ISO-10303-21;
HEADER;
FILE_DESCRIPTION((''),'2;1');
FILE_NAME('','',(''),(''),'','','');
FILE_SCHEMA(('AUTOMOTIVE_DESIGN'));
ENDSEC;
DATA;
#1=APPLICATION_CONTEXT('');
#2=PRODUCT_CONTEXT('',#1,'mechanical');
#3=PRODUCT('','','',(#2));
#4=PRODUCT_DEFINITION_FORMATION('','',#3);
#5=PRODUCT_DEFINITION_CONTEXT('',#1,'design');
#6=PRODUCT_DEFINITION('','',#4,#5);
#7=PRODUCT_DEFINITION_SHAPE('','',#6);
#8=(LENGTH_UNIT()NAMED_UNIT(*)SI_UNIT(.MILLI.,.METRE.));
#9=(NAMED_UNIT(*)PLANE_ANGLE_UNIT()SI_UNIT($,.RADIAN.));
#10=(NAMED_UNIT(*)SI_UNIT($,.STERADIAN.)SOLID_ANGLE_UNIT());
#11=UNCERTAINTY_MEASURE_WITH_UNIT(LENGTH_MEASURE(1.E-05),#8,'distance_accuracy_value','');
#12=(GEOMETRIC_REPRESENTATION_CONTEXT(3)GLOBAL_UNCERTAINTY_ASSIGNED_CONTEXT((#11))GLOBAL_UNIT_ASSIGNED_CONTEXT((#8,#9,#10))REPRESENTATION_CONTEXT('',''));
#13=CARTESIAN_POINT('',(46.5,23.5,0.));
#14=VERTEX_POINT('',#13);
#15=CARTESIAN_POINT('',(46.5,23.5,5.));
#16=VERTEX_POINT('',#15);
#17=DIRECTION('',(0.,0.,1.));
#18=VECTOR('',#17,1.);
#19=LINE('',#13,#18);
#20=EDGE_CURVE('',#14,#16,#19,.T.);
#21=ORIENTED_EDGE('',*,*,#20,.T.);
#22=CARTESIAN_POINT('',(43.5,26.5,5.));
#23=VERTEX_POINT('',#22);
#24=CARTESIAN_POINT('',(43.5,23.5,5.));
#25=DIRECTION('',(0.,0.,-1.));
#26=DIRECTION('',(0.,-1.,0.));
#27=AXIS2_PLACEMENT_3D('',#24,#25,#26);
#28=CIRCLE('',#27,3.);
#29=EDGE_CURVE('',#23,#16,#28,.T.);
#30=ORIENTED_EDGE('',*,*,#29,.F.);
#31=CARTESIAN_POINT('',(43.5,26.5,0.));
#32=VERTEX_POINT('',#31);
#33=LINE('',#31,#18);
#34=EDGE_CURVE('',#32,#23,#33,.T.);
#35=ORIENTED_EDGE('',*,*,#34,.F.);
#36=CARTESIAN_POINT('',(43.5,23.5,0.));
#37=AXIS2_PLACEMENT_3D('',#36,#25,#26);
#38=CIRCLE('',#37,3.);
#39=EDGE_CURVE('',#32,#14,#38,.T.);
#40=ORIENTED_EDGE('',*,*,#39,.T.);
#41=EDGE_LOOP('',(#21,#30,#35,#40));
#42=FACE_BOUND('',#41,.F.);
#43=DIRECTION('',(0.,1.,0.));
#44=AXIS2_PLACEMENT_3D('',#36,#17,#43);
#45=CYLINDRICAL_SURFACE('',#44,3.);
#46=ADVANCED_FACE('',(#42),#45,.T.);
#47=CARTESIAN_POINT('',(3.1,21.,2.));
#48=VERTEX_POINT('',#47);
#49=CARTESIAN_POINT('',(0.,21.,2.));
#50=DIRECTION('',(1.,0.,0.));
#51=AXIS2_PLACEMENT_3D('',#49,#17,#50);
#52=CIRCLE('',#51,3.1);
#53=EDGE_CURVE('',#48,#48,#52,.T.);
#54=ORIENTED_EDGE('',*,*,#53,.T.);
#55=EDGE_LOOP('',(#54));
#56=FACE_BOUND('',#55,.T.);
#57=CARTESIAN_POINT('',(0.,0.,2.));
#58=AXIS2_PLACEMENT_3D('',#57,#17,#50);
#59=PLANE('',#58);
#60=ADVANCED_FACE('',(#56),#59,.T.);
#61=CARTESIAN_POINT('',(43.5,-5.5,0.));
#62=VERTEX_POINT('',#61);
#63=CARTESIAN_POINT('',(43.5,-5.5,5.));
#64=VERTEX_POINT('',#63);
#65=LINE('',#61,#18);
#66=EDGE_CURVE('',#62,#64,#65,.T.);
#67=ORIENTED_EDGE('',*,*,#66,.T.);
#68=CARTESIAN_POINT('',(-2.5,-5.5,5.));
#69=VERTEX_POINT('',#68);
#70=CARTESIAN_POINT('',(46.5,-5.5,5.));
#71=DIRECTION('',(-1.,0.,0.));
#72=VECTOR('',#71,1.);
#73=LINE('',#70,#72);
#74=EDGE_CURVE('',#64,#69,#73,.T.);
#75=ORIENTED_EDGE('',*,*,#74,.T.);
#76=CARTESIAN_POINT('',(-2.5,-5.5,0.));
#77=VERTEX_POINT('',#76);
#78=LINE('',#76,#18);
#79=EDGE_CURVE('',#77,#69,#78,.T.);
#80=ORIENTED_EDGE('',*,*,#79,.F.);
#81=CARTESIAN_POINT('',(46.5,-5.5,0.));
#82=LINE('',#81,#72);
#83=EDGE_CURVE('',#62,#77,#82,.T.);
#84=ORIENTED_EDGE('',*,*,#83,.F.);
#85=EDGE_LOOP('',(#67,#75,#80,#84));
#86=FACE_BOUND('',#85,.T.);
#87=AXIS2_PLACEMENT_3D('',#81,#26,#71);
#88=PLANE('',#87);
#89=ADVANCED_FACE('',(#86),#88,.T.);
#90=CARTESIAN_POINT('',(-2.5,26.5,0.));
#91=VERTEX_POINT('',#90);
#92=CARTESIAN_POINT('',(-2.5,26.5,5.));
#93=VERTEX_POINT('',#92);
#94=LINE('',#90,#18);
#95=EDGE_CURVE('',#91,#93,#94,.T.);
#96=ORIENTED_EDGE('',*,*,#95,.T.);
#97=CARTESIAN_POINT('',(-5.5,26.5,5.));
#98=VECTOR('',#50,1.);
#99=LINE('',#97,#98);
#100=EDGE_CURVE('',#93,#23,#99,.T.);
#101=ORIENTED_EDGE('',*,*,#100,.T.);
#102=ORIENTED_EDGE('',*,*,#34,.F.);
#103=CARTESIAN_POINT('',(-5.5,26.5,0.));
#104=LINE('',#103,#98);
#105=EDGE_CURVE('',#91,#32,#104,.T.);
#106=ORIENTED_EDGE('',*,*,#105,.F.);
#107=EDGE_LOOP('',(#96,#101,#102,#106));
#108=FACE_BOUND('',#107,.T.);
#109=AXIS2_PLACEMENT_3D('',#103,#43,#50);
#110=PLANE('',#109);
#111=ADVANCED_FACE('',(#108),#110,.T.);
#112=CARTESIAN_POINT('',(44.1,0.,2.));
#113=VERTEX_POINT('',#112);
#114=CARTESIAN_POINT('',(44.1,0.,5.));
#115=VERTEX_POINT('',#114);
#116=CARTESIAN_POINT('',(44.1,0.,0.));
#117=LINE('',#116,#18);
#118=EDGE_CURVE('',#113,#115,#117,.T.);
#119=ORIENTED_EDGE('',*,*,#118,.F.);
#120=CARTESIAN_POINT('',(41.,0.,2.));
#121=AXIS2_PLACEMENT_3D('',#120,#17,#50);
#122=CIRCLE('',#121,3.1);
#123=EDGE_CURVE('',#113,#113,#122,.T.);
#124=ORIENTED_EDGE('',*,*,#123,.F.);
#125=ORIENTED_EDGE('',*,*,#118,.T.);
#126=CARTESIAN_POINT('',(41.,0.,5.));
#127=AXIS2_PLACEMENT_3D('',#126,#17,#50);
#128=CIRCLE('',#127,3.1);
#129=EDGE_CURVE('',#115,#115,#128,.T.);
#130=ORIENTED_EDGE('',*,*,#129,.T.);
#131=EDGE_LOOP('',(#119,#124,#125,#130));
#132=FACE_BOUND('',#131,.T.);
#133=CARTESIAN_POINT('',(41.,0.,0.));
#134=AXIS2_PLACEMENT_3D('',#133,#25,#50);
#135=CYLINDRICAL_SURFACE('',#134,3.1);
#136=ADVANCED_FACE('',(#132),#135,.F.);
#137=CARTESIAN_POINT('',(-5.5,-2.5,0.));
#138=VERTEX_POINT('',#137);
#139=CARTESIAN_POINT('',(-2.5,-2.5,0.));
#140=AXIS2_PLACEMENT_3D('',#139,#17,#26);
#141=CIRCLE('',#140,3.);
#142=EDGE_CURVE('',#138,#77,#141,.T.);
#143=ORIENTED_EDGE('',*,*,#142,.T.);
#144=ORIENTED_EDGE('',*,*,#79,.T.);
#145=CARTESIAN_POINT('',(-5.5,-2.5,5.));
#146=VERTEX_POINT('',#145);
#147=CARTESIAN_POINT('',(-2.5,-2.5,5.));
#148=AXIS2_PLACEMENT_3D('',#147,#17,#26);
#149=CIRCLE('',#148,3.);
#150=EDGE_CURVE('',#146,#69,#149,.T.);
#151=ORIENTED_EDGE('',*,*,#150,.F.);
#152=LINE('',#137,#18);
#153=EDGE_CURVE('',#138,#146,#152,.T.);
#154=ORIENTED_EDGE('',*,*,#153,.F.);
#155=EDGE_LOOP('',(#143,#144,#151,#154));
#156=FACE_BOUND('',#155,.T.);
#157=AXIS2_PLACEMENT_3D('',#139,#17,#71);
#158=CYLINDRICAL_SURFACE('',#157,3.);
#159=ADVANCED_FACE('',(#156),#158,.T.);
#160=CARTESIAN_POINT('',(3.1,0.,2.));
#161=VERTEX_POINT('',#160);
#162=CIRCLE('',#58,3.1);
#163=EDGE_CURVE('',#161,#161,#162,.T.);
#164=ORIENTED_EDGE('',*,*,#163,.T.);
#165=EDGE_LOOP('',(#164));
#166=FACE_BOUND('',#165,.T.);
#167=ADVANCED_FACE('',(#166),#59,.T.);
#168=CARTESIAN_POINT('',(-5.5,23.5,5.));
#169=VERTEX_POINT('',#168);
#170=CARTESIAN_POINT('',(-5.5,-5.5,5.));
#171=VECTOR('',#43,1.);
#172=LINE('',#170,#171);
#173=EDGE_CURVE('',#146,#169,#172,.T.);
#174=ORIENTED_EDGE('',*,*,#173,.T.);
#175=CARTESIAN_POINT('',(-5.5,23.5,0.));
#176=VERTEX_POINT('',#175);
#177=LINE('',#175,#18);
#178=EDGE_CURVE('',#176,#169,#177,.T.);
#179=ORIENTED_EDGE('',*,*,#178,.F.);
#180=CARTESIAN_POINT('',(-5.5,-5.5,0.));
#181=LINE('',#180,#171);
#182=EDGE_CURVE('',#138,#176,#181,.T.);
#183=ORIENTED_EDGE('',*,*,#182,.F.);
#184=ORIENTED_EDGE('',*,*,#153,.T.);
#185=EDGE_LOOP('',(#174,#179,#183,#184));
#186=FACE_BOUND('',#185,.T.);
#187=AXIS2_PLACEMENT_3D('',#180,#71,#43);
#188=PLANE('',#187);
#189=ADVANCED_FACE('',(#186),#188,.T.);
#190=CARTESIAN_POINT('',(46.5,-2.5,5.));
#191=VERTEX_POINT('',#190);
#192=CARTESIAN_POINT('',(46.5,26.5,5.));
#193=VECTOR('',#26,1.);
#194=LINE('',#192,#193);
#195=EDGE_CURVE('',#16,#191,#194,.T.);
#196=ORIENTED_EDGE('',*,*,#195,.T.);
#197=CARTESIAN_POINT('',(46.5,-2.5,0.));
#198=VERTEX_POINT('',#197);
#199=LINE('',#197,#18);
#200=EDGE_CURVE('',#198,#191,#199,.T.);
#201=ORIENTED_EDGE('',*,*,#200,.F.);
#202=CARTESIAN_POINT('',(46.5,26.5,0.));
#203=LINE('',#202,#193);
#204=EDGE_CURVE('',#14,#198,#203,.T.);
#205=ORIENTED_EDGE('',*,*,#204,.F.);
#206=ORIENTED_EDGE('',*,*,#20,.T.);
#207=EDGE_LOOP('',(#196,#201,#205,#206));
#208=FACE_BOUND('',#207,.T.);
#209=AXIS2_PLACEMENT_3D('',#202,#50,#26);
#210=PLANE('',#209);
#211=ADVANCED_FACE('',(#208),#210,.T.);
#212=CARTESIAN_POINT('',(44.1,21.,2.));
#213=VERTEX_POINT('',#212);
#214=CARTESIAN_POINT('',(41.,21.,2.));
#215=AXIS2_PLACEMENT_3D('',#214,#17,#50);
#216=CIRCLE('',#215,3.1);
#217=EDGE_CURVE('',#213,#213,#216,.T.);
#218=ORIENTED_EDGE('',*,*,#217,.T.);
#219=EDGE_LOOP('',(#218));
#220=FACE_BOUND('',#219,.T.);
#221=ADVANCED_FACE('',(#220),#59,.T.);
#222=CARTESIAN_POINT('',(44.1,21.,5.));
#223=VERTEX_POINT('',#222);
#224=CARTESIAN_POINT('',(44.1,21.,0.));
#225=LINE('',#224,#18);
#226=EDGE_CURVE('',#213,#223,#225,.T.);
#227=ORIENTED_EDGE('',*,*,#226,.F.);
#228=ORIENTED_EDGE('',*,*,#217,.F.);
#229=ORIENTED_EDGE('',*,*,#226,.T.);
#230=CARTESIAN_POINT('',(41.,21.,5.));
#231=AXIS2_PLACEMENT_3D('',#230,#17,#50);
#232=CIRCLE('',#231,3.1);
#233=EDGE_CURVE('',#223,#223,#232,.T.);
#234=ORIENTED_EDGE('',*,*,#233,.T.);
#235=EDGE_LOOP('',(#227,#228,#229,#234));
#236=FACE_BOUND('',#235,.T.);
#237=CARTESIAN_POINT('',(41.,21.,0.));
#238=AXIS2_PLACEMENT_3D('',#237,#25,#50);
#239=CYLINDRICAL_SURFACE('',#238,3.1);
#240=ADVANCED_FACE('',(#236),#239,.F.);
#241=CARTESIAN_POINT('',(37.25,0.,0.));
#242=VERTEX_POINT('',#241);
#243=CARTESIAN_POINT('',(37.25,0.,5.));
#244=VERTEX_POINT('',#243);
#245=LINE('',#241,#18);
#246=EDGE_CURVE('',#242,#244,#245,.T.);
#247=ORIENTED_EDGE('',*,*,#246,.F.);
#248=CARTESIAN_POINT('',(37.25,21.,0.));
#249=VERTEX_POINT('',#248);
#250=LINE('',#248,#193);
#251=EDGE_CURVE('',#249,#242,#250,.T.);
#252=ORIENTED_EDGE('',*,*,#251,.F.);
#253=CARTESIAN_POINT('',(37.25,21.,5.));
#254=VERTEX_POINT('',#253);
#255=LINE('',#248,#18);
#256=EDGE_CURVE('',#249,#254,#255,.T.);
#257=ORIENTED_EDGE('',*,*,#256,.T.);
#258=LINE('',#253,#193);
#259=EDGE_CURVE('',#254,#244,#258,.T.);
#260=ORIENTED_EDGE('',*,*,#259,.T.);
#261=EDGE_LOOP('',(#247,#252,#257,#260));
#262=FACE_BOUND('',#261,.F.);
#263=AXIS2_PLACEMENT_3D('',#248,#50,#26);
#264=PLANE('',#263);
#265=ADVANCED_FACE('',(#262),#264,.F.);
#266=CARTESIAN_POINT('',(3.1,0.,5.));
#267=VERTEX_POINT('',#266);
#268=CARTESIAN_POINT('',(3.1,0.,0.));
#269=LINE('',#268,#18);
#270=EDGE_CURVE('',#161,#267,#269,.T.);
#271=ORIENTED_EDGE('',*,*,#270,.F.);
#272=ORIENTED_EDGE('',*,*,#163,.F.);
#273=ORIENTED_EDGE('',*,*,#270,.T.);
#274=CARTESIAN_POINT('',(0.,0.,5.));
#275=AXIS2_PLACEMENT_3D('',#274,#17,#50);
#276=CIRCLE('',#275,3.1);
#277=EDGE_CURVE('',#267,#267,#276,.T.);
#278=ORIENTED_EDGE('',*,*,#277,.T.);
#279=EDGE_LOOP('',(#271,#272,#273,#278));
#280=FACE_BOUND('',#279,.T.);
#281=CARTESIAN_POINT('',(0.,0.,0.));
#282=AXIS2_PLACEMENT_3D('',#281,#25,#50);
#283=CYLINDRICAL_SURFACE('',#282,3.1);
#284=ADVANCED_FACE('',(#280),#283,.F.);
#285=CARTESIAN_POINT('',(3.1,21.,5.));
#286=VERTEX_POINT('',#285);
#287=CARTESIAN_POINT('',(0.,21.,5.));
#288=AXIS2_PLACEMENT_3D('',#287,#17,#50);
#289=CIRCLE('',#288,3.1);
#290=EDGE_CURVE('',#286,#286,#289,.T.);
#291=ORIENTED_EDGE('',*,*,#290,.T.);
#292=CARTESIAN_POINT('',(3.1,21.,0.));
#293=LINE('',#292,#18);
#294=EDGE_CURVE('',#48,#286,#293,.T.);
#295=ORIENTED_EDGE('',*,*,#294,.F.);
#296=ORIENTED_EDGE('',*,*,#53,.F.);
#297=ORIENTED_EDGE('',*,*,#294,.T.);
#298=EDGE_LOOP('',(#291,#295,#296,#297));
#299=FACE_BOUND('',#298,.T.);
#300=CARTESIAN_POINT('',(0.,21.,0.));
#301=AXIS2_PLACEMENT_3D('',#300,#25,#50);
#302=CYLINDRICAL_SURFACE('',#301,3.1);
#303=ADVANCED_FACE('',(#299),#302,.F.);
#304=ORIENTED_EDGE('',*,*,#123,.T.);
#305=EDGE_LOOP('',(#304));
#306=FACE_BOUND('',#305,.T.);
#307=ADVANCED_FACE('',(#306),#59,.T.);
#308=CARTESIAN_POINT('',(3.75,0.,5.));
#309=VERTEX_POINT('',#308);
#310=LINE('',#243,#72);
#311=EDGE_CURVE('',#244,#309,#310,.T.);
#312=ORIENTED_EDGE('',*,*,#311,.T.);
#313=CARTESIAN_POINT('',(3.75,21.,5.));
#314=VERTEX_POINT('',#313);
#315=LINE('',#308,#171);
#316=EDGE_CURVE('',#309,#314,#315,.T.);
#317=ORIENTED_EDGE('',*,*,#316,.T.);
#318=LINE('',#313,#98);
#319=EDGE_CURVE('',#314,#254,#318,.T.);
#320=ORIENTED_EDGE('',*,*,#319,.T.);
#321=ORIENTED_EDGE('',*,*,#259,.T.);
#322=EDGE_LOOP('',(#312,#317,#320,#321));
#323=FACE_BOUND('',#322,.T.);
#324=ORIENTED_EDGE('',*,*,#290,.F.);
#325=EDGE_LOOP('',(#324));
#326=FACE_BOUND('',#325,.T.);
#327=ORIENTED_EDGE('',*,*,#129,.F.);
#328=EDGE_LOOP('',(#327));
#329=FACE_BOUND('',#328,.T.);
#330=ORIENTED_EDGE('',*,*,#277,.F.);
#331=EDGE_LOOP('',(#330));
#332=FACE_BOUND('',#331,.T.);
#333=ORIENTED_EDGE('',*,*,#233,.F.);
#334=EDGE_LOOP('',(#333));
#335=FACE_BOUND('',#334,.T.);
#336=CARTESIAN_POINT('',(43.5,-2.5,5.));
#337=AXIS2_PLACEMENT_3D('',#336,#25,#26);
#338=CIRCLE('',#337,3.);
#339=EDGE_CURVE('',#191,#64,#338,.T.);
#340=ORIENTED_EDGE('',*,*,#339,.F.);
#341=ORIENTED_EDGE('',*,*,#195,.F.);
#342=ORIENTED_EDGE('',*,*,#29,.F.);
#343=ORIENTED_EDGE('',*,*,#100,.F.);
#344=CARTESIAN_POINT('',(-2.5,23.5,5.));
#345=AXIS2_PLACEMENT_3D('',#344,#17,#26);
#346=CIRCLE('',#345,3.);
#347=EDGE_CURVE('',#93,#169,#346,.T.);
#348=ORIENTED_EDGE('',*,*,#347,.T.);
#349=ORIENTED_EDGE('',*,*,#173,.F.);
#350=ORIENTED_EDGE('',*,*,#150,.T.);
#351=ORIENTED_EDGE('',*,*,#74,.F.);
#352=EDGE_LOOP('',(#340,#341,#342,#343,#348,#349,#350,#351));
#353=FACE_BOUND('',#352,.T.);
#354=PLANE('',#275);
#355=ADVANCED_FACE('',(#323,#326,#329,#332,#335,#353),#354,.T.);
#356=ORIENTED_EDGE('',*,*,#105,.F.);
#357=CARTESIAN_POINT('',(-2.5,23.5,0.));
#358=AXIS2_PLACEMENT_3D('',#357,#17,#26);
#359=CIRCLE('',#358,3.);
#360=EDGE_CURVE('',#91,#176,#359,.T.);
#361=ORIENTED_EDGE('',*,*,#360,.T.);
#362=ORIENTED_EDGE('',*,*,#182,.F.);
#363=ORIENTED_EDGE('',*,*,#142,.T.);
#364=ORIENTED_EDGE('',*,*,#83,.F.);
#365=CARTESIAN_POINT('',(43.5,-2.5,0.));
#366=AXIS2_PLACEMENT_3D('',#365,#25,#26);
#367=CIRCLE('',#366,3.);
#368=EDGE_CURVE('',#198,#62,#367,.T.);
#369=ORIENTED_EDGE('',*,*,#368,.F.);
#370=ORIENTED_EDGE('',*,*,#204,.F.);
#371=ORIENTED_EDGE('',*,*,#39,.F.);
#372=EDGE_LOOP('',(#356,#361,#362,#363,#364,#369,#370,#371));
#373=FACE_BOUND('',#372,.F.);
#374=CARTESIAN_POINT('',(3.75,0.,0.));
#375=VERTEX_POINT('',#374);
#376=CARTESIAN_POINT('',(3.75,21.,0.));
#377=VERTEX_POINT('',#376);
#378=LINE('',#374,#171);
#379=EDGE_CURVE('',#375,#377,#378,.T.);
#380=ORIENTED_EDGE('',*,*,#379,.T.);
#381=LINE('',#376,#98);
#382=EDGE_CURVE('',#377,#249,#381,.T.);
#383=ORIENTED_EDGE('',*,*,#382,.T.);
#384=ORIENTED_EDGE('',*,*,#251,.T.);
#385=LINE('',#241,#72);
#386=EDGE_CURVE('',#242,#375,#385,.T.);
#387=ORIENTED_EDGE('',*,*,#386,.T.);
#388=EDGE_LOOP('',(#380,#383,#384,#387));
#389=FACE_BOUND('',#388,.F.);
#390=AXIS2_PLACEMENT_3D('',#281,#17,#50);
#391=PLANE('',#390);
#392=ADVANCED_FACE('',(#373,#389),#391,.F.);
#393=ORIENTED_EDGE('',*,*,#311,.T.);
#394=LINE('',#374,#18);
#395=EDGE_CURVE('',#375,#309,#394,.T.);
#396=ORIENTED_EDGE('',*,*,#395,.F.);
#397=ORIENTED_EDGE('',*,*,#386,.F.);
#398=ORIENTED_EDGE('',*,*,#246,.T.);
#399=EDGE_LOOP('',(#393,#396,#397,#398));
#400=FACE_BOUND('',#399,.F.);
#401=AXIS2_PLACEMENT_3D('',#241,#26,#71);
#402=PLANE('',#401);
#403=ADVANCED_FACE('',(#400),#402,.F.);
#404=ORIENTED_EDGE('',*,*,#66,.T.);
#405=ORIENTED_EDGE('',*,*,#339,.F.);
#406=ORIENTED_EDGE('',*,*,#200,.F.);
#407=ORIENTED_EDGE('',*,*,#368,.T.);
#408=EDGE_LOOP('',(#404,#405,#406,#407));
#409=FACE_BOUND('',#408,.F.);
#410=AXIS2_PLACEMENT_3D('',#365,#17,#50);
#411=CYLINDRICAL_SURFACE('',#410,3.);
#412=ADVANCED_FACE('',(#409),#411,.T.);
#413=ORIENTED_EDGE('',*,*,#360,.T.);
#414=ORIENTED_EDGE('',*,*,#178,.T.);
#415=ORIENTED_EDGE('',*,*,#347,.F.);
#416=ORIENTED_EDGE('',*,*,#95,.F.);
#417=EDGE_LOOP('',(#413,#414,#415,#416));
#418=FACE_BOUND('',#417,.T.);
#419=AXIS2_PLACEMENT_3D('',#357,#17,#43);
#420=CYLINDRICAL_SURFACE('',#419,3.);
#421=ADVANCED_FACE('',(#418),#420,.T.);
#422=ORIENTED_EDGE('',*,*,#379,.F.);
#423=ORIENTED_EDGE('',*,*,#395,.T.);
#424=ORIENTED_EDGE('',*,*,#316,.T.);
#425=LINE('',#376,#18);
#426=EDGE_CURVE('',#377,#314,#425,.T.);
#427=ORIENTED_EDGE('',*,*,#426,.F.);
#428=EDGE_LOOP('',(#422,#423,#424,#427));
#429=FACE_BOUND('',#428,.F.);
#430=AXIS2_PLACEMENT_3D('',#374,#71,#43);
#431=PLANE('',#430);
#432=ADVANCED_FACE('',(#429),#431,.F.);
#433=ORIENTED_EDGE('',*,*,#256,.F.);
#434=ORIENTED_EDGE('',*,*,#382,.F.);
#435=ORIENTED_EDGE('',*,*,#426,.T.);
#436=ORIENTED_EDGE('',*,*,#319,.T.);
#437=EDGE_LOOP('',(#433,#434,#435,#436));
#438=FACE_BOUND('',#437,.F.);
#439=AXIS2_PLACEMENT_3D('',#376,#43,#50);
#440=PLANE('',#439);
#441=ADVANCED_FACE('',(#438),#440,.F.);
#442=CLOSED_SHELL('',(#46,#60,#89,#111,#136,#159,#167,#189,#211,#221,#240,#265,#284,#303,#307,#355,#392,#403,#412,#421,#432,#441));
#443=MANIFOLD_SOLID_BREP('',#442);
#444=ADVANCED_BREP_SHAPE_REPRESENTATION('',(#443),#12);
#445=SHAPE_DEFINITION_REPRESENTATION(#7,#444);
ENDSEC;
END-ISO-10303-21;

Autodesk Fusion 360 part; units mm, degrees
sketch "Sketch1" plane through (0, 0, 0) normal (0, 0, 1) x (1, 0, 0)
  circle A0 centre (0, 0) radius 3.1
  circle A1 centre (41, 0) radius 3.1
  circle A2 centre (0, 21) radius 3.1
  circle A3 centre (41, 21) radius 3.1
  line L0 (-5.5, 26.5) -> (46.5, 26.5)
  line L1 (46.5, 26.5) -> (46.5, -5.5)
  line L2 (46.5, -5.5) -> (-5.5, -5.5)
  line L3 (-5.5, -5.5) -> (-5.5, 26.5)
  line L4 (3.75, 21) -> (37.25, 21)
  line L5 (37.25, 21) -> (37.25, 0)
  line L6 (37.25, 0) -> (3.75, 0)
  line L7 (3.75, 0) -> (3.75, 21)
  line L8 (20.5, 26.5) -> (20.5, 21) construction
  line L9 (3.75, 10.5) -> (-5.5, 10.5) construction
  point P0 (20.5, 26.5)
  point P1 (20.5, 21)
  point P2 (-5.5, 10.5)
  point P3 (3.75, 10.5)
  dimension "d1" = 6.2
  dimension "d4" = 41
  dimension "d5" = 21
  dimension "d18" = 5.5
  dimension "d19" = 5.5
  dimension "d20" = 32
  dimension "d21" = 52
  dimension "d22" = 33.5
  dimension "d23" = 21
extrude "Extrude1" add sketch "Sketch1" along normal blind 5
extrude "Extrude2" add sketch "Sketch1" along normal blind 2 contours A0 | A1 | A2 | A3
fillet "Fillet1" radius 3 4 edges at (46.5, 26.5, 2.5) (-5.5, 26.5, 2.5) (46.5, -5.5, 2.5) (-5.5, -5.5, 2.5)
